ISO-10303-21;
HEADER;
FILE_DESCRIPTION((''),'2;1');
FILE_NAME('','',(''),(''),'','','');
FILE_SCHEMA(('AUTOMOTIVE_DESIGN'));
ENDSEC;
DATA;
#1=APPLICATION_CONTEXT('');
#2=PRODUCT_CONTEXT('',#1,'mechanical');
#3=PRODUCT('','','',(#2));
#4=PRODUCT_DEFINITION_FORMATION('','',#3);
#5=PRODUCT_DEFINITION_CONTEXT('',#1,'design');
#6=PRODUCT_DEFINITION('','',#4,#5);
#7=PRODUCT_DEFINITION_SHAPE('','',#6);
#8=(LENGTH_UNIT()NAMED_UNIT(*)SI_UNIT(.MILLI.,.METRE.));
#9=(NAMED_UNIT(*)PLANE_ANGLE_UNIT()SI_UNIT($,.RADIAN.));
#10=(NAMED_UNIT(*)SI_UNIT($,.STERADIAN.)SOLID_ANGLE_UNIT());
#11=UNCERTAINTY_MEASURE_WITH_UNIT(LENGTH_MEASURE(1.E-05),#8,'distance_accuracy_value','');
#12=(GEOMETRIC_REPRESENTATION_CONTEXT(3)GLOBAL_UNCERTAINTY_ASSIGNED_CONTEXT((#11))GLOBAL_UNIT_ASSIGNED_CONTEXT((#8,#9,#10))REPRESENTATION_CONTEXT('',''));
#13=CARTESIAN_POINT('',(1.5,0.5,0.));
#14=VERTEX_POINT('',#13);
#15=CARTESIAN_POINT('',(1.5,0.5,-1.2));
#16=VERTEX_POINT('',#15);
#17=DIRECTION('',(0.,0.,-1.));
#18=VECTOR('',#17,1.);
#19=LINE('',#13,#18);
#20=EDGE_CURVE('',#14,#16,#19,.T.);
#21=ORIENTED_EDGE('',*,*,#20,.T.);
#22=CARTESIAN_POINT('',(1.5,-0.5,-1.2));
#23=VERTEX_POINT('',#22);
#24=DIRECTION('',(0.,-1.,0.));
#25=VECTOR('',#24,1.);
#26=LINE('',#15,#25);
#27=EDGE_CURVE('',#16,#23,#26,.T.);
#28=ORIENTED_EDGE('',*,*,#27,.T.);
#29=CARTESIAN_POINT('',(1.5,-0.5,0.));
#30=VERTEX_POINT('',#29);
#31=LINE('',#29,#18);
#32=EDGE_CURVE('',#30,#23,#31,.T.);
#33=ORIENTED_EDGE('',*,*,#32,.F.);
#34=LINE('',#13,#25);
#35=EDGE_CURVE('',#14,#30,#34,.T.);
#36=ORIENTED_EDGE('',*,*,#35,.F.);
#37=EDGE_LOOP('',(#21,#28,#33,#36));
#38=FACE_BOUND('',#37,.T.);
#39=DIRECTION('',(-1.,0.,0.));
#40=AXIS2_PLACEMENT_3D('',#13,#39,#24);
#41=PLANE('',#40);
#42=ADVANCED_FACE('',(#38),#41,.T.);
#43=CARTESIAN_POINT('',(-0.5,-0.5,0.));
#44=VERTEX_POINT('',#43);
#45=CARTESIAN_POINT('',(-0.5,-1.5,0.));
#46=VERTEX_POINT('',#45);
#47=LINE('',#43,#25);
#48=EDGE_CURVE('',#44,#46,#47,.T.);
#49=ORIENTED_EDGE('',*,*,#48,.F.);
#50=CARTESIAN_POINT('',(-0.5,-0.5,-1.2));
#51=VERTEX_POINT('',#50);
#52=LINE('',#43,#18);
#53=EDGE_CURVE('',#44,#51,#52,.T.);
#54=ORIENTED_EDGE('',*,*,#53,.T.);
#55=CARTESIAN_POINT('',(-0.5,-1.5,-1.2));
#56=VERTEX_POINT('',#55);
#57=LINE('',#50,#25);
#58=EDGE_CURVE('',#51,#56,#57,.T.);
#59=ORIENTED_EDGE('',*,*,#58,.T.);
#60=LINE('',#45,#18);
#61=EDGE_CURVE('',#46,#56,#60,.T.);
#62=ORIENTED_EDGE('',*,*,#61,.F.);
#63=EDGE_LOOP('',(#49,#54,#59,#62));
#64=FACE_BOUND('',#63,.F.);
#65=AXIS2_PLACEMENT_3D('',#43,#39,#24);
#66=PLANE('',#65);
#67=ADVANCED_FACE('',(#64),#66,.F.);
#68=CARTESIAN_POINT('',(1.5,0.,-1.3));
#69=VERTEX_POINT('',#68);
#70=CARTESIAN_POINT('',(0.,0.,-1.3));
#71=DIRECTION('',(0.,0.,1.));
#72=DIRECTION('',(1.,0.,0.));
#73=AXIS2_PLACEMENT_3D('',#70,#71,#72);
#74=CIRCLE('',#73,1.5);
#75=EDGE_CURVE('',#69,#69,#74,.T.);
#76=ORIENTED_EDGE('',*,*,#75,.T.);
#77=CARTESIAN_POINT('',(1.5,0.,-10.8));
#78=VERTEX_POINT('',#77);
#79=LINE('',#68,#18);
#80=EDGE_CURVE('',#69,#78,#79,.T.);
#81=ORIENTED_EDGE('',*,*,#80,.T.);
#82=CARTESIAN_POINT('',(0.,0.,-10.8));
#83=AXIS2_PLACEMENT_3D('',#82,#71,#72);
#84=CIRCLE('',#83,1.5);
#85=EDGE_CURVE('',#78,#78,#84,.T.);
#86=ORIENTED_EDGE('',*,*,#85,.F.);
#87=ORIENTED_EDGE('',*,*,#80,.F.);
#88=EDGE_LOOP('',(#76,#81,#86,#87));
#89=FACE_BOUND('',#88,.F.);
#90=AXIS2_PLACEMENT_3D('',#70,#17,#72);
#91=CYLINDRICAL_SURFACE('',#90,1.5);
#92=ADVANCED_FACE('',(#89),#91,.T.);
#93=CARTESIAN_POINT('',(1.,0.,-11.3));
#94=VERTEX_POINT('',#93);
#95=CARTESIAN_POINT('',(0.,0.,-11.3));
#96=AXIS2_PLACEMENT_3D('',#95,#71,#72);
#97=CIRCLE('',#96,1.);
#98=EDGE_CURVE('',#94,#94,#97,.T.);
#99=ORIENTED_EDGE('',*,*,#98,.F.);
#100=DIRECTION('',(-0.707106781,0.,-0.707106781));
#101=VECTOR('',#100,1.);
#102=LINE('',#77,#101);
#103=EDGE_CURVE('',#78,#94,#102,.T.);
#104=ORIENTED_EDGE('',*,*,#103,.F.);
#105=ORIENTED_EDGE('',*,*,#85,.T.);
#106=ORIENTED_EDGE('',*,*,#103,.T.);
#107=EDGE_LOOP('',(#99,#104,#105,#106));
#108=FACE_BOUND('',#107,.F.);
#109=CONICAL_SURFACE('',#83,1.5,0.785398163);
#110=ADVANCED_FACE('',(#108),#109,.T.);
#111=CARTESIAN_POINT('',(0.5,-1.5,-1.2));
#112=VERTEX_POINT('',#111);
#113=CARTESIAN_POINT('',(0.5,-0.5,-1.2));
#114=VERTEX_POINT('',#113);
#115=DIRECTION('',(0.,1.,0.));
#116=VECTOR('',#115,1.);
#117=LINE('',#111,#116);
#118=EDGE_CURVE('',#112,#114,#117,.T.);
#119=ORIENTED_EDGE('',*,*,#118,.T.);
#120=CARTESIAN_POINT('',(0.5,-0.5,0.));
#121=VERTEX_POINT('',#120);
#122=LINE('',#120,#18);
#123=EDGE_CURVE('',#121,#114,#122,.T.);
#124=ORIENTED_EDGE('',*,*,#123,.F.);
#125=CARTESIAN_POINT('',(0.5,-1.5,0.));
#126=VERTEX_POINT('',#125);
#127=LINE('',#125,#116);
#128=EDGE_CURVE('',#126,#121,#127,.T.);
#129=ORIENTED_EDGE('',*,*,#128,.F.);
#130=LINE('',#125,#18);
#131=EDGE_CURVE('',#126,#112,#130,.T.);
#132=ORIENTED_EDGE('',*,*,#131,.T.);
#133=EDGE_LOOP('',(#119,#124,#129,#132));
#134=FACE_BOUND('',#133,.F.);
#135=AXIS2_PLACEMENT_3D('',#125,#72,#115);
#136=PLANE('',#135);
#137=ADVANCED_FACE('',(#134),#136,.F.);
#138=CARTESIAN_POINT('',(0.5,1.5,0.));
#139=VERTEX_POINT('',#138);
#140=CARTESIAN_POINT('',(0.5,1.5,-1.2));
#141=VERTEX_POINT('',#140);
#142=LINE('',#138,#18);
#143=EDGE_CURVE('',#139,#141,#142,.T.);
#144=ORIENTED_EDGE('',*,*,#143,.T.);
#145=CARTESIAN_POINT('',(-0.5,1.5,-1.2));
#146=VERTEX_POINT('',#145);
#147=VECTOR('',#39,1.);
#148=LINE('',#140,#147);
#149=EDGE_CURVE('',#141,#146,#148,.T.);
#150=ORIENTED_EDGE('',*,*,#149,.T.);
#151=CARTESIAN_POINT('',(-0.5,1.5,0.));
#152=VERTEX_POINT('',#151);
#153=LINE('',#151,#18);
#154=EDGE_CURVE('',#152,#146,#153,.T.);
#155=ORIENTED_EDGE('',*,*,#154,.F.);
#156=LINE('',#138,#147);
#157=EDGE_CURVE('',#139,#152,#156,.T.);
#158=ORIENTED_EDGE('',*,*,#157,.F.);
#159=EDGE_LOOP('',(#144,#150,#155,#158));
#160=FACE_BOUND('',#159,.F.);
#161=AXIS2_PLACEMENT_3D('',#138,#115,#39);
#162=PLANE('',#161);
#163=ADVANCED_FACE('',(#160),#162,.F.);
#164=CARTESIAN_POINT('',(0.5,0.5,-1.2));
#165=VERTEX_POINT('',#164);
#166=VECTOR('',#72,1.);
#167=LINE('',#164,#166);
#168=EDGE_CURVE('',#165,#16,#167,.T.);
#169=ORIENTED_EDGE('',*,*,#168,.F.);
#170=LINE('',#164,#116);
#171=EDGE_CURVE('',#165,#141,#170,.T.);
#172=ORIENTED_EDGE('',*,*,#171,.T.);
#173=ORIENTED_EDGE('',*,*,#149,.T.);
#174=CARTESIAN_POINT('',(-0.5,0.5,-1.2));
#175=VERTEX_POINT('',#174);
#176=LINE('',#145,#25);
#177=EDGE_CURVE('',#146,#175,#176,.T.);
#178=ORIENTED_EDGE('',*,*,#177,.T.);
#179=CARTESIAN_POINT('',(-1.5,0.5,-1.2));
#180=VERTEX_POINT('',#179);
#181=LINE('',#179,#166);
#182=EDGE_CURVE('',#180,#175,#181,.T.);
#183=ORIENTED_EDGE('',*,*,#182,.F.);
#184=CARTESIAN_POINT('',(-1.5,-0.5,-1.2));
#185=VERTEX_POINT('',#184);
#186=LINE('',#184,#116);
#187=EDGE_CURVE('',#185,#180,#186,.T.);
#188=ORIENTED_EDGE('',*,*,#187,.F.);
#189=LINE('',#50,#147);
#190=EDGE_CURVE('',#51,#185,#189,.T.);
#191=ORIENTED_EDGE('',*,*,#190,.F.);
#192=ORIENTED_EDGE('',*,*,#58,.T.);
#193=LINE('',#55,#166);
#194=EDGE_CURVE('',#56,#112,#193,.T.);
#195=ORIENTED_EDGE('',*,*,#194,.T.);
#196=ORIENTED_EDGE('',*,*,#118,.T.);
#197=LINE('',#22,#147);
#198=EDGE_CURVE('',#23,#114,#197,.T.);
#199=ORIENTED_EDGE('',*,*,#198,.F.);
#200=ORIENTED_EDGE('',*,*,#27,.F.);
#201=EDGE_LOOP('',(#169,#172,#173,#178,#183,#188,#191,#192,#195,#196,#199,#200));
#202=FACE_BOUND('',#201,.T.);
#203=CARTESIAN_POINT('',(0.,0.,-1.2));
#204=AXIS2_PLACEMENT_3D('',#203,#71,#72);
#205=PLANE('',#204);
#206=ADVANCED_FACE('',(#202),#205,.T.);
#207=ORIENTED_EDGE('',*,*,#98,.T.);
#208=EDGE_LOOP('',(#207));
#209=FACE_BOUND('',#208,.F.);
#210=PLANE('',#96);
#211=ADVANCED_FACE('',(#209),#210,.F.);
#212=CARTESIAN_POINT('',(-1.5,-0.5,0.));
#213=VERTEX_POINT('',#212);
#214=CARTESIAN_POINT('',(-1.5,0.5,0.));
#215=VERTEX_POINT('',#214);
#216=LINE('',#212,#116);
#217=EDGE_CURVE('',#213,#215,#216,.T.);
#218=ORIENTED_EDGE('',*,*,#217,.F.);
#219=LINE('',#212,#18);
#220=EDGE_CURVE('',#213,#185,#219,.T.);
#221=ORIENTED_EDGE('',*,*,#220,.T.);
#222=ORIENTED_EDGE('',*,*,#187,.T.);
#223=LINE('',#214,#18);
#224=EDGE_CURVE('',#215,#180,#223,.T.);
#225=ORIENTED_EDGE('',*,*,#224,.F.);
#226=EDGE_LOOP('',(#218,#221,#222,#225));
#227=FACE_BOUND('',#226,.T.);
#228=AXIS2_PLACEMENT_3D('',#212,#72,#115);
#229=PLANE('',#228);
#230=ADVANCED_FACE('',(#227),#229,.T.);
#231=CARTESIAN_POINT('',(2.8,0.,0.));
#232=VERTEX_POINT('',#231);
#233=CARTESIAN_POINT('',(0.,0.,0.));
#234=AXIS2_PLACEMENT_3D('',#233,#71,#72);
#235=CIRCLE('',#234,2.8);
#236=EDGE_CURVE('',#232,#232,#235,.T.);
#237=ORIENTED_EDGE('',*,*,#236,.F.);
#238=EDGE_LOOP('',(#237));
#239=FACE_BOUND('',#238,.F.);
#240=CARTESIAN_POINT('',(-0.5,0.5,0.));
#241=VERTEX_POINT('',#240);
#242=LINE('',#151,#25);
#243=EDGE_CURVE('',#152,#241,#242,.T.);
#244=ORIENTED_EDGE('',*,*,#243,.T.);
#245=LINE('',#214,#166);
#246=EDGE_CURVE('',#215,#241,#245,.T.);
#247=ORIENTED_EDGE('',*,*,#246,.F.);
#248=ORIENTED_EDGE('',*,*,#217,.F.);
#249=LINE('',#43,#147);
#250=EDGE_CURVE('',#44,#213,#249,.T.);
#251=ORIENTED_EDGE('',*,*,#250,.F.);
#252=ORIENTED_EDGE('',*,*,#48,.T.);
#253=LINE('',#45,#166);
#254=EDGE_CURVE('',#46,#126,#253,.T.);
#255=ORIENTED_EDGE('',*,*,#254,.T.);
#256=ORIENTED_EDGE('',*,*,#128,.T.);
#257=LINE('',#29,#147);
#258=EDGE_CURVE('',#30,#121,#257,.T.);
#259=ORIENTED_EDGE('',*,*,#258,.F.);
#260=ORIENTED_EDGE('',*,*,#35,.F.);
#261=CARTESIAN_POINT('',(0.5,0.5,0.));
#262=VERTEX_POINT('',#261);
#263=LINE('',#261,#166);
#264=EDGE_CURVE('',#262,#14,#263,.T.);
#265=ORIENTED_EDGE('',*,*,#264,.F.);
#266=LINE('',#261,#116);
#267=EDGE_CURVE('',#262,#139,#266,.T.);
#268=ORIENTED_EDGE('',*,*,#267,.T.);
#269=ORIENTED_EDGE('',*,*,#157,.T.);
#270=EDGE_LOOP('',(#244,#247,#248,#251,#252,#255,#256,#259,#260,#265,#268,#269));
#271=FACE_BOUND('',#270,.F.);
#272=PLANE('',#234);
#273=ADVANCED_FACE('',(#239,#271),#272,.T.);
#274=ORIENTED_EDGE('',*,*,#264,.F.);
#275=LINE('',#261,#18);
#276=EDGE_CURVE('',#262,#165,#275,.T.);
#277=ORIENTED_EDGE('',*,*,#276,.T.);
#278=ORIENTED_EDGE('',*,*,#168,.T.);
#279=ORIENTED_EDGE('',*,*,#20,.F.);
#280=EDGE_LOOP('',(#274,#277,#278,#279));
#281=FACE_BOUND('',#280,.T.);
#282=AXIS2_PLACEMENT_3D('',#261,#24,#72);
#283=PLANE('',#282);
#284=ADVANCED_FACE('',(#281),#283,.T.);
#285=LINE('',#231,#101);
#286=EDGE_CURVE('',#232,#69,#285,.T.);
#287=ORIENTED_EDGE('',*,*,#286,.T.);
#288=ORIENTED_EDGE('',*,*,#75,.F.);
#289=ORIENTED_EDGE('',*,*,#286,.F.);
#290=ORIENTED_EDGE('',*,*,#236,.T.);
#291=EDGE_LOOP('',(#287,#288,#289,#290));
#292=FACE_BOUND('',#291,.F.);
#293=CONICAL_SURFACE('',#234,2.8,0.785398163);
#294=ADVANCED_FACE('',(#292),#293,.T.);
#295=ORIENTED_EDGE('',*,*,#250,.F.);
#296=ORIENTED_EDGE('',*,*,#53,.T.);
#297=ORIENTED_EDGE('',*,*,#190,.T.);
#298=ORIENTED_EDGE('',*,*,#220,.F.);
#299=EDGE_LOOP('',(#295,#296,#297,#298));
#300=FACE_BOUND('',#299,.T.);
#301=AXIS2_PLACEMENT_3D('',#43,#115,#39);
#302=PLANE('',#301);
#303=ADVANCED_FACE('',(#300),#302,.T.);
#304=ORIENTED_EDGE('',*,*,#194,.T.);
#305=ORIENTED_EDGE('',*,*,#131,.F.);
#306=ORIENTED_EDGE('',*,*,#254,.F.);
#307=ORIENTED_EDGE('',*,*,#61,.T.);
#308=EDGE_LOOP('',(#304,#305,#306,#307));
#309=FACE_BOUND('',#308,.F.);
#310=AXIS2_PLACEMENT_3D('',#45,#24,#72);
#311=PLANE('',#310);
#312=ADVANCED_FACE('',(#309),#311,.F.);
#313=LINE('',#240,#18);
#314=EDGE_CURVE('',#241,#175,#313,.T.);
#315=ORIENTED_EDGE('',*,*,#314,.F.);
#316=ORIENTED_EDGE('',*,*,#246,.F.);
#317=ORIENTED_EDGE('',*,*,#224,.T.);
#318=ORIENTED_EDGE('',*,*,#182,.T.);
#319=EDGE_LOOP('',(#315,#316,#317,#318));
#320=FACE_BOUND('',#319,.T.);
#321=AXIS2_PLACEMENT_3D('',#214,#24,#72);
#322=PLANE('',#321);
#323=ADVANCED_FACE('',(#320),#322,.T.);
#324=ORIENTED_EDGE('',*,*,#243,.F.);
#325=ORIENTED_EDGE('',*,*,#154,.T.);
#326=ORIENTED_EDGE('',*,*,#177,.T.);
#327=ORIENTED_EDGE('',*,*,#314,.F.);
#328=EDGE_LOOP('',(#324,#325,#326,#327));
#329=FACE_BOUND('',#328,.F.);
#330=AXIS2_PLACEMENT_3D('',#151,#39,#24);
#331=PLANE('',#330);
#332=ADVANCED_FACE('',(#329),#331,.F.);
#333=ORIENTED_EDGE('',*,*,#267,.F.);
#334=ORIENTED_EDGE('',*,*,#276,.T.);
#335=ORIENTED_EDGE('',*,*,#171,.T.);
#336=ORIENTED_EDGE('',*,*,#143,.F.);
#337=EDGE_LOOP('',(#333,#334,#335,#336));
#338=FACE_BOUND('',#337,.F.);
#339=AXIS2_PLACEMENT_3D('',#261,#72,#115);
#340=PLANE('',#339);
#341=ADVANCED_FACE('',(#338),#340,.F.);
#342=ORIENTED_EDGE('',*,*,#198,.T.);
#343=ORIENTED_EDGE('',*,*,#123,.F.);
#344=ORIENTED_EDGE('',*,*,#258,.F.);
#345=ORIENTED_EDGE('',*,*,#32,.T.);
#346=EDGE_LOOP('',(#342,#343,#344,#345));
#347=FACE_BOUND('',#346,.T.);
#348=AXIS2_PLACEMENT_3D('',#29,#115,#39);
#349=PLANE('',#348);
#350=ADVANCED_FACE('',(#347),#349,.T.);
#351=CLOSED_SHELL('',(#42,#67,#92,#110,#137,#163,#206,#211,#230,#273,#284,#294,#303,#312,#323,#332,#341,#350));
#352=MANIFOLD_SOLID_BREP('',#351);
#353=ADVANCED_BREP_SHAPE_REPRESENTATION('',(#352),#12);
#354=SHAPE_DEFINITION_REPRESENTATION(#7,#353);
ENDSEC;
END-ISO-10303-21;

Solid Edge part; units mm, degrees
sketch "Sketch1" plane through (0, 0, 0) normal (0, -1, 0) x (1, 0, 0)
  line L0 (0, 0) -> (2.8, 0)
  line L1 (2.8, 0) -> (1.5, -1.3)
  line L2 (1.5, -1.3) -> (1.5, -11.3)
  line L3 (1.5, -11.3) -> (0, -11.3)
  dimension "D1" = 10
revolve "RevolvedProtrusion1" add sketch "Sketch1" angle 360 about axis through (0, 0, -21.75) along (0, 0, 1)
chamfer "mounting_chamfer" distance 0.5 angle 45 1 edges at (-1.5, 0, -11.3)
sketch "Sketch2" plane through (0, 0, 0) normal (0, 0, 1) x (0, 1, 0)
  line L0 (0.5, -0.5) -> (1.5, -0.5)
  line L1 (1.5, -0.5) -> (1.5, 0.5)
  line L2 (1.5, 0.5) -> (0.5, 0.5)
  line L3 (0.5, 1.5) -> (0.5, 0.5)
  line L4 (-0.5, 1.5) -> (0.5, 1.5)
  line L5 (-0.5, 0.5) -> (-0.5, 1.5)
  line L6 (-0.5, 0.5) -> (-1.5, 0.5)
  line L7 (-1.5, 0.5) -> (-1.5, -0.5)
  line L8 (-1.5, -0.5) -> (-0.5, -0.5)
  line L9 (-0.5, -1.5) -> (-0.5, -0.5)
  line L10 (0.5, -1.5) -> (-0.5, -1.5)
  line L11 (0.5, -0.5) -> (0.5, -1.5)
  dimension "D1" = 3
  dimension "D2" = 1
extrude "plus_cutout" cut sketch "Sketch2" against normal blind 1.2
cosmetic_thread "Thread1" size "M3"
properties part number "STD-DIN965-M3x15" material "Stainless steel"
